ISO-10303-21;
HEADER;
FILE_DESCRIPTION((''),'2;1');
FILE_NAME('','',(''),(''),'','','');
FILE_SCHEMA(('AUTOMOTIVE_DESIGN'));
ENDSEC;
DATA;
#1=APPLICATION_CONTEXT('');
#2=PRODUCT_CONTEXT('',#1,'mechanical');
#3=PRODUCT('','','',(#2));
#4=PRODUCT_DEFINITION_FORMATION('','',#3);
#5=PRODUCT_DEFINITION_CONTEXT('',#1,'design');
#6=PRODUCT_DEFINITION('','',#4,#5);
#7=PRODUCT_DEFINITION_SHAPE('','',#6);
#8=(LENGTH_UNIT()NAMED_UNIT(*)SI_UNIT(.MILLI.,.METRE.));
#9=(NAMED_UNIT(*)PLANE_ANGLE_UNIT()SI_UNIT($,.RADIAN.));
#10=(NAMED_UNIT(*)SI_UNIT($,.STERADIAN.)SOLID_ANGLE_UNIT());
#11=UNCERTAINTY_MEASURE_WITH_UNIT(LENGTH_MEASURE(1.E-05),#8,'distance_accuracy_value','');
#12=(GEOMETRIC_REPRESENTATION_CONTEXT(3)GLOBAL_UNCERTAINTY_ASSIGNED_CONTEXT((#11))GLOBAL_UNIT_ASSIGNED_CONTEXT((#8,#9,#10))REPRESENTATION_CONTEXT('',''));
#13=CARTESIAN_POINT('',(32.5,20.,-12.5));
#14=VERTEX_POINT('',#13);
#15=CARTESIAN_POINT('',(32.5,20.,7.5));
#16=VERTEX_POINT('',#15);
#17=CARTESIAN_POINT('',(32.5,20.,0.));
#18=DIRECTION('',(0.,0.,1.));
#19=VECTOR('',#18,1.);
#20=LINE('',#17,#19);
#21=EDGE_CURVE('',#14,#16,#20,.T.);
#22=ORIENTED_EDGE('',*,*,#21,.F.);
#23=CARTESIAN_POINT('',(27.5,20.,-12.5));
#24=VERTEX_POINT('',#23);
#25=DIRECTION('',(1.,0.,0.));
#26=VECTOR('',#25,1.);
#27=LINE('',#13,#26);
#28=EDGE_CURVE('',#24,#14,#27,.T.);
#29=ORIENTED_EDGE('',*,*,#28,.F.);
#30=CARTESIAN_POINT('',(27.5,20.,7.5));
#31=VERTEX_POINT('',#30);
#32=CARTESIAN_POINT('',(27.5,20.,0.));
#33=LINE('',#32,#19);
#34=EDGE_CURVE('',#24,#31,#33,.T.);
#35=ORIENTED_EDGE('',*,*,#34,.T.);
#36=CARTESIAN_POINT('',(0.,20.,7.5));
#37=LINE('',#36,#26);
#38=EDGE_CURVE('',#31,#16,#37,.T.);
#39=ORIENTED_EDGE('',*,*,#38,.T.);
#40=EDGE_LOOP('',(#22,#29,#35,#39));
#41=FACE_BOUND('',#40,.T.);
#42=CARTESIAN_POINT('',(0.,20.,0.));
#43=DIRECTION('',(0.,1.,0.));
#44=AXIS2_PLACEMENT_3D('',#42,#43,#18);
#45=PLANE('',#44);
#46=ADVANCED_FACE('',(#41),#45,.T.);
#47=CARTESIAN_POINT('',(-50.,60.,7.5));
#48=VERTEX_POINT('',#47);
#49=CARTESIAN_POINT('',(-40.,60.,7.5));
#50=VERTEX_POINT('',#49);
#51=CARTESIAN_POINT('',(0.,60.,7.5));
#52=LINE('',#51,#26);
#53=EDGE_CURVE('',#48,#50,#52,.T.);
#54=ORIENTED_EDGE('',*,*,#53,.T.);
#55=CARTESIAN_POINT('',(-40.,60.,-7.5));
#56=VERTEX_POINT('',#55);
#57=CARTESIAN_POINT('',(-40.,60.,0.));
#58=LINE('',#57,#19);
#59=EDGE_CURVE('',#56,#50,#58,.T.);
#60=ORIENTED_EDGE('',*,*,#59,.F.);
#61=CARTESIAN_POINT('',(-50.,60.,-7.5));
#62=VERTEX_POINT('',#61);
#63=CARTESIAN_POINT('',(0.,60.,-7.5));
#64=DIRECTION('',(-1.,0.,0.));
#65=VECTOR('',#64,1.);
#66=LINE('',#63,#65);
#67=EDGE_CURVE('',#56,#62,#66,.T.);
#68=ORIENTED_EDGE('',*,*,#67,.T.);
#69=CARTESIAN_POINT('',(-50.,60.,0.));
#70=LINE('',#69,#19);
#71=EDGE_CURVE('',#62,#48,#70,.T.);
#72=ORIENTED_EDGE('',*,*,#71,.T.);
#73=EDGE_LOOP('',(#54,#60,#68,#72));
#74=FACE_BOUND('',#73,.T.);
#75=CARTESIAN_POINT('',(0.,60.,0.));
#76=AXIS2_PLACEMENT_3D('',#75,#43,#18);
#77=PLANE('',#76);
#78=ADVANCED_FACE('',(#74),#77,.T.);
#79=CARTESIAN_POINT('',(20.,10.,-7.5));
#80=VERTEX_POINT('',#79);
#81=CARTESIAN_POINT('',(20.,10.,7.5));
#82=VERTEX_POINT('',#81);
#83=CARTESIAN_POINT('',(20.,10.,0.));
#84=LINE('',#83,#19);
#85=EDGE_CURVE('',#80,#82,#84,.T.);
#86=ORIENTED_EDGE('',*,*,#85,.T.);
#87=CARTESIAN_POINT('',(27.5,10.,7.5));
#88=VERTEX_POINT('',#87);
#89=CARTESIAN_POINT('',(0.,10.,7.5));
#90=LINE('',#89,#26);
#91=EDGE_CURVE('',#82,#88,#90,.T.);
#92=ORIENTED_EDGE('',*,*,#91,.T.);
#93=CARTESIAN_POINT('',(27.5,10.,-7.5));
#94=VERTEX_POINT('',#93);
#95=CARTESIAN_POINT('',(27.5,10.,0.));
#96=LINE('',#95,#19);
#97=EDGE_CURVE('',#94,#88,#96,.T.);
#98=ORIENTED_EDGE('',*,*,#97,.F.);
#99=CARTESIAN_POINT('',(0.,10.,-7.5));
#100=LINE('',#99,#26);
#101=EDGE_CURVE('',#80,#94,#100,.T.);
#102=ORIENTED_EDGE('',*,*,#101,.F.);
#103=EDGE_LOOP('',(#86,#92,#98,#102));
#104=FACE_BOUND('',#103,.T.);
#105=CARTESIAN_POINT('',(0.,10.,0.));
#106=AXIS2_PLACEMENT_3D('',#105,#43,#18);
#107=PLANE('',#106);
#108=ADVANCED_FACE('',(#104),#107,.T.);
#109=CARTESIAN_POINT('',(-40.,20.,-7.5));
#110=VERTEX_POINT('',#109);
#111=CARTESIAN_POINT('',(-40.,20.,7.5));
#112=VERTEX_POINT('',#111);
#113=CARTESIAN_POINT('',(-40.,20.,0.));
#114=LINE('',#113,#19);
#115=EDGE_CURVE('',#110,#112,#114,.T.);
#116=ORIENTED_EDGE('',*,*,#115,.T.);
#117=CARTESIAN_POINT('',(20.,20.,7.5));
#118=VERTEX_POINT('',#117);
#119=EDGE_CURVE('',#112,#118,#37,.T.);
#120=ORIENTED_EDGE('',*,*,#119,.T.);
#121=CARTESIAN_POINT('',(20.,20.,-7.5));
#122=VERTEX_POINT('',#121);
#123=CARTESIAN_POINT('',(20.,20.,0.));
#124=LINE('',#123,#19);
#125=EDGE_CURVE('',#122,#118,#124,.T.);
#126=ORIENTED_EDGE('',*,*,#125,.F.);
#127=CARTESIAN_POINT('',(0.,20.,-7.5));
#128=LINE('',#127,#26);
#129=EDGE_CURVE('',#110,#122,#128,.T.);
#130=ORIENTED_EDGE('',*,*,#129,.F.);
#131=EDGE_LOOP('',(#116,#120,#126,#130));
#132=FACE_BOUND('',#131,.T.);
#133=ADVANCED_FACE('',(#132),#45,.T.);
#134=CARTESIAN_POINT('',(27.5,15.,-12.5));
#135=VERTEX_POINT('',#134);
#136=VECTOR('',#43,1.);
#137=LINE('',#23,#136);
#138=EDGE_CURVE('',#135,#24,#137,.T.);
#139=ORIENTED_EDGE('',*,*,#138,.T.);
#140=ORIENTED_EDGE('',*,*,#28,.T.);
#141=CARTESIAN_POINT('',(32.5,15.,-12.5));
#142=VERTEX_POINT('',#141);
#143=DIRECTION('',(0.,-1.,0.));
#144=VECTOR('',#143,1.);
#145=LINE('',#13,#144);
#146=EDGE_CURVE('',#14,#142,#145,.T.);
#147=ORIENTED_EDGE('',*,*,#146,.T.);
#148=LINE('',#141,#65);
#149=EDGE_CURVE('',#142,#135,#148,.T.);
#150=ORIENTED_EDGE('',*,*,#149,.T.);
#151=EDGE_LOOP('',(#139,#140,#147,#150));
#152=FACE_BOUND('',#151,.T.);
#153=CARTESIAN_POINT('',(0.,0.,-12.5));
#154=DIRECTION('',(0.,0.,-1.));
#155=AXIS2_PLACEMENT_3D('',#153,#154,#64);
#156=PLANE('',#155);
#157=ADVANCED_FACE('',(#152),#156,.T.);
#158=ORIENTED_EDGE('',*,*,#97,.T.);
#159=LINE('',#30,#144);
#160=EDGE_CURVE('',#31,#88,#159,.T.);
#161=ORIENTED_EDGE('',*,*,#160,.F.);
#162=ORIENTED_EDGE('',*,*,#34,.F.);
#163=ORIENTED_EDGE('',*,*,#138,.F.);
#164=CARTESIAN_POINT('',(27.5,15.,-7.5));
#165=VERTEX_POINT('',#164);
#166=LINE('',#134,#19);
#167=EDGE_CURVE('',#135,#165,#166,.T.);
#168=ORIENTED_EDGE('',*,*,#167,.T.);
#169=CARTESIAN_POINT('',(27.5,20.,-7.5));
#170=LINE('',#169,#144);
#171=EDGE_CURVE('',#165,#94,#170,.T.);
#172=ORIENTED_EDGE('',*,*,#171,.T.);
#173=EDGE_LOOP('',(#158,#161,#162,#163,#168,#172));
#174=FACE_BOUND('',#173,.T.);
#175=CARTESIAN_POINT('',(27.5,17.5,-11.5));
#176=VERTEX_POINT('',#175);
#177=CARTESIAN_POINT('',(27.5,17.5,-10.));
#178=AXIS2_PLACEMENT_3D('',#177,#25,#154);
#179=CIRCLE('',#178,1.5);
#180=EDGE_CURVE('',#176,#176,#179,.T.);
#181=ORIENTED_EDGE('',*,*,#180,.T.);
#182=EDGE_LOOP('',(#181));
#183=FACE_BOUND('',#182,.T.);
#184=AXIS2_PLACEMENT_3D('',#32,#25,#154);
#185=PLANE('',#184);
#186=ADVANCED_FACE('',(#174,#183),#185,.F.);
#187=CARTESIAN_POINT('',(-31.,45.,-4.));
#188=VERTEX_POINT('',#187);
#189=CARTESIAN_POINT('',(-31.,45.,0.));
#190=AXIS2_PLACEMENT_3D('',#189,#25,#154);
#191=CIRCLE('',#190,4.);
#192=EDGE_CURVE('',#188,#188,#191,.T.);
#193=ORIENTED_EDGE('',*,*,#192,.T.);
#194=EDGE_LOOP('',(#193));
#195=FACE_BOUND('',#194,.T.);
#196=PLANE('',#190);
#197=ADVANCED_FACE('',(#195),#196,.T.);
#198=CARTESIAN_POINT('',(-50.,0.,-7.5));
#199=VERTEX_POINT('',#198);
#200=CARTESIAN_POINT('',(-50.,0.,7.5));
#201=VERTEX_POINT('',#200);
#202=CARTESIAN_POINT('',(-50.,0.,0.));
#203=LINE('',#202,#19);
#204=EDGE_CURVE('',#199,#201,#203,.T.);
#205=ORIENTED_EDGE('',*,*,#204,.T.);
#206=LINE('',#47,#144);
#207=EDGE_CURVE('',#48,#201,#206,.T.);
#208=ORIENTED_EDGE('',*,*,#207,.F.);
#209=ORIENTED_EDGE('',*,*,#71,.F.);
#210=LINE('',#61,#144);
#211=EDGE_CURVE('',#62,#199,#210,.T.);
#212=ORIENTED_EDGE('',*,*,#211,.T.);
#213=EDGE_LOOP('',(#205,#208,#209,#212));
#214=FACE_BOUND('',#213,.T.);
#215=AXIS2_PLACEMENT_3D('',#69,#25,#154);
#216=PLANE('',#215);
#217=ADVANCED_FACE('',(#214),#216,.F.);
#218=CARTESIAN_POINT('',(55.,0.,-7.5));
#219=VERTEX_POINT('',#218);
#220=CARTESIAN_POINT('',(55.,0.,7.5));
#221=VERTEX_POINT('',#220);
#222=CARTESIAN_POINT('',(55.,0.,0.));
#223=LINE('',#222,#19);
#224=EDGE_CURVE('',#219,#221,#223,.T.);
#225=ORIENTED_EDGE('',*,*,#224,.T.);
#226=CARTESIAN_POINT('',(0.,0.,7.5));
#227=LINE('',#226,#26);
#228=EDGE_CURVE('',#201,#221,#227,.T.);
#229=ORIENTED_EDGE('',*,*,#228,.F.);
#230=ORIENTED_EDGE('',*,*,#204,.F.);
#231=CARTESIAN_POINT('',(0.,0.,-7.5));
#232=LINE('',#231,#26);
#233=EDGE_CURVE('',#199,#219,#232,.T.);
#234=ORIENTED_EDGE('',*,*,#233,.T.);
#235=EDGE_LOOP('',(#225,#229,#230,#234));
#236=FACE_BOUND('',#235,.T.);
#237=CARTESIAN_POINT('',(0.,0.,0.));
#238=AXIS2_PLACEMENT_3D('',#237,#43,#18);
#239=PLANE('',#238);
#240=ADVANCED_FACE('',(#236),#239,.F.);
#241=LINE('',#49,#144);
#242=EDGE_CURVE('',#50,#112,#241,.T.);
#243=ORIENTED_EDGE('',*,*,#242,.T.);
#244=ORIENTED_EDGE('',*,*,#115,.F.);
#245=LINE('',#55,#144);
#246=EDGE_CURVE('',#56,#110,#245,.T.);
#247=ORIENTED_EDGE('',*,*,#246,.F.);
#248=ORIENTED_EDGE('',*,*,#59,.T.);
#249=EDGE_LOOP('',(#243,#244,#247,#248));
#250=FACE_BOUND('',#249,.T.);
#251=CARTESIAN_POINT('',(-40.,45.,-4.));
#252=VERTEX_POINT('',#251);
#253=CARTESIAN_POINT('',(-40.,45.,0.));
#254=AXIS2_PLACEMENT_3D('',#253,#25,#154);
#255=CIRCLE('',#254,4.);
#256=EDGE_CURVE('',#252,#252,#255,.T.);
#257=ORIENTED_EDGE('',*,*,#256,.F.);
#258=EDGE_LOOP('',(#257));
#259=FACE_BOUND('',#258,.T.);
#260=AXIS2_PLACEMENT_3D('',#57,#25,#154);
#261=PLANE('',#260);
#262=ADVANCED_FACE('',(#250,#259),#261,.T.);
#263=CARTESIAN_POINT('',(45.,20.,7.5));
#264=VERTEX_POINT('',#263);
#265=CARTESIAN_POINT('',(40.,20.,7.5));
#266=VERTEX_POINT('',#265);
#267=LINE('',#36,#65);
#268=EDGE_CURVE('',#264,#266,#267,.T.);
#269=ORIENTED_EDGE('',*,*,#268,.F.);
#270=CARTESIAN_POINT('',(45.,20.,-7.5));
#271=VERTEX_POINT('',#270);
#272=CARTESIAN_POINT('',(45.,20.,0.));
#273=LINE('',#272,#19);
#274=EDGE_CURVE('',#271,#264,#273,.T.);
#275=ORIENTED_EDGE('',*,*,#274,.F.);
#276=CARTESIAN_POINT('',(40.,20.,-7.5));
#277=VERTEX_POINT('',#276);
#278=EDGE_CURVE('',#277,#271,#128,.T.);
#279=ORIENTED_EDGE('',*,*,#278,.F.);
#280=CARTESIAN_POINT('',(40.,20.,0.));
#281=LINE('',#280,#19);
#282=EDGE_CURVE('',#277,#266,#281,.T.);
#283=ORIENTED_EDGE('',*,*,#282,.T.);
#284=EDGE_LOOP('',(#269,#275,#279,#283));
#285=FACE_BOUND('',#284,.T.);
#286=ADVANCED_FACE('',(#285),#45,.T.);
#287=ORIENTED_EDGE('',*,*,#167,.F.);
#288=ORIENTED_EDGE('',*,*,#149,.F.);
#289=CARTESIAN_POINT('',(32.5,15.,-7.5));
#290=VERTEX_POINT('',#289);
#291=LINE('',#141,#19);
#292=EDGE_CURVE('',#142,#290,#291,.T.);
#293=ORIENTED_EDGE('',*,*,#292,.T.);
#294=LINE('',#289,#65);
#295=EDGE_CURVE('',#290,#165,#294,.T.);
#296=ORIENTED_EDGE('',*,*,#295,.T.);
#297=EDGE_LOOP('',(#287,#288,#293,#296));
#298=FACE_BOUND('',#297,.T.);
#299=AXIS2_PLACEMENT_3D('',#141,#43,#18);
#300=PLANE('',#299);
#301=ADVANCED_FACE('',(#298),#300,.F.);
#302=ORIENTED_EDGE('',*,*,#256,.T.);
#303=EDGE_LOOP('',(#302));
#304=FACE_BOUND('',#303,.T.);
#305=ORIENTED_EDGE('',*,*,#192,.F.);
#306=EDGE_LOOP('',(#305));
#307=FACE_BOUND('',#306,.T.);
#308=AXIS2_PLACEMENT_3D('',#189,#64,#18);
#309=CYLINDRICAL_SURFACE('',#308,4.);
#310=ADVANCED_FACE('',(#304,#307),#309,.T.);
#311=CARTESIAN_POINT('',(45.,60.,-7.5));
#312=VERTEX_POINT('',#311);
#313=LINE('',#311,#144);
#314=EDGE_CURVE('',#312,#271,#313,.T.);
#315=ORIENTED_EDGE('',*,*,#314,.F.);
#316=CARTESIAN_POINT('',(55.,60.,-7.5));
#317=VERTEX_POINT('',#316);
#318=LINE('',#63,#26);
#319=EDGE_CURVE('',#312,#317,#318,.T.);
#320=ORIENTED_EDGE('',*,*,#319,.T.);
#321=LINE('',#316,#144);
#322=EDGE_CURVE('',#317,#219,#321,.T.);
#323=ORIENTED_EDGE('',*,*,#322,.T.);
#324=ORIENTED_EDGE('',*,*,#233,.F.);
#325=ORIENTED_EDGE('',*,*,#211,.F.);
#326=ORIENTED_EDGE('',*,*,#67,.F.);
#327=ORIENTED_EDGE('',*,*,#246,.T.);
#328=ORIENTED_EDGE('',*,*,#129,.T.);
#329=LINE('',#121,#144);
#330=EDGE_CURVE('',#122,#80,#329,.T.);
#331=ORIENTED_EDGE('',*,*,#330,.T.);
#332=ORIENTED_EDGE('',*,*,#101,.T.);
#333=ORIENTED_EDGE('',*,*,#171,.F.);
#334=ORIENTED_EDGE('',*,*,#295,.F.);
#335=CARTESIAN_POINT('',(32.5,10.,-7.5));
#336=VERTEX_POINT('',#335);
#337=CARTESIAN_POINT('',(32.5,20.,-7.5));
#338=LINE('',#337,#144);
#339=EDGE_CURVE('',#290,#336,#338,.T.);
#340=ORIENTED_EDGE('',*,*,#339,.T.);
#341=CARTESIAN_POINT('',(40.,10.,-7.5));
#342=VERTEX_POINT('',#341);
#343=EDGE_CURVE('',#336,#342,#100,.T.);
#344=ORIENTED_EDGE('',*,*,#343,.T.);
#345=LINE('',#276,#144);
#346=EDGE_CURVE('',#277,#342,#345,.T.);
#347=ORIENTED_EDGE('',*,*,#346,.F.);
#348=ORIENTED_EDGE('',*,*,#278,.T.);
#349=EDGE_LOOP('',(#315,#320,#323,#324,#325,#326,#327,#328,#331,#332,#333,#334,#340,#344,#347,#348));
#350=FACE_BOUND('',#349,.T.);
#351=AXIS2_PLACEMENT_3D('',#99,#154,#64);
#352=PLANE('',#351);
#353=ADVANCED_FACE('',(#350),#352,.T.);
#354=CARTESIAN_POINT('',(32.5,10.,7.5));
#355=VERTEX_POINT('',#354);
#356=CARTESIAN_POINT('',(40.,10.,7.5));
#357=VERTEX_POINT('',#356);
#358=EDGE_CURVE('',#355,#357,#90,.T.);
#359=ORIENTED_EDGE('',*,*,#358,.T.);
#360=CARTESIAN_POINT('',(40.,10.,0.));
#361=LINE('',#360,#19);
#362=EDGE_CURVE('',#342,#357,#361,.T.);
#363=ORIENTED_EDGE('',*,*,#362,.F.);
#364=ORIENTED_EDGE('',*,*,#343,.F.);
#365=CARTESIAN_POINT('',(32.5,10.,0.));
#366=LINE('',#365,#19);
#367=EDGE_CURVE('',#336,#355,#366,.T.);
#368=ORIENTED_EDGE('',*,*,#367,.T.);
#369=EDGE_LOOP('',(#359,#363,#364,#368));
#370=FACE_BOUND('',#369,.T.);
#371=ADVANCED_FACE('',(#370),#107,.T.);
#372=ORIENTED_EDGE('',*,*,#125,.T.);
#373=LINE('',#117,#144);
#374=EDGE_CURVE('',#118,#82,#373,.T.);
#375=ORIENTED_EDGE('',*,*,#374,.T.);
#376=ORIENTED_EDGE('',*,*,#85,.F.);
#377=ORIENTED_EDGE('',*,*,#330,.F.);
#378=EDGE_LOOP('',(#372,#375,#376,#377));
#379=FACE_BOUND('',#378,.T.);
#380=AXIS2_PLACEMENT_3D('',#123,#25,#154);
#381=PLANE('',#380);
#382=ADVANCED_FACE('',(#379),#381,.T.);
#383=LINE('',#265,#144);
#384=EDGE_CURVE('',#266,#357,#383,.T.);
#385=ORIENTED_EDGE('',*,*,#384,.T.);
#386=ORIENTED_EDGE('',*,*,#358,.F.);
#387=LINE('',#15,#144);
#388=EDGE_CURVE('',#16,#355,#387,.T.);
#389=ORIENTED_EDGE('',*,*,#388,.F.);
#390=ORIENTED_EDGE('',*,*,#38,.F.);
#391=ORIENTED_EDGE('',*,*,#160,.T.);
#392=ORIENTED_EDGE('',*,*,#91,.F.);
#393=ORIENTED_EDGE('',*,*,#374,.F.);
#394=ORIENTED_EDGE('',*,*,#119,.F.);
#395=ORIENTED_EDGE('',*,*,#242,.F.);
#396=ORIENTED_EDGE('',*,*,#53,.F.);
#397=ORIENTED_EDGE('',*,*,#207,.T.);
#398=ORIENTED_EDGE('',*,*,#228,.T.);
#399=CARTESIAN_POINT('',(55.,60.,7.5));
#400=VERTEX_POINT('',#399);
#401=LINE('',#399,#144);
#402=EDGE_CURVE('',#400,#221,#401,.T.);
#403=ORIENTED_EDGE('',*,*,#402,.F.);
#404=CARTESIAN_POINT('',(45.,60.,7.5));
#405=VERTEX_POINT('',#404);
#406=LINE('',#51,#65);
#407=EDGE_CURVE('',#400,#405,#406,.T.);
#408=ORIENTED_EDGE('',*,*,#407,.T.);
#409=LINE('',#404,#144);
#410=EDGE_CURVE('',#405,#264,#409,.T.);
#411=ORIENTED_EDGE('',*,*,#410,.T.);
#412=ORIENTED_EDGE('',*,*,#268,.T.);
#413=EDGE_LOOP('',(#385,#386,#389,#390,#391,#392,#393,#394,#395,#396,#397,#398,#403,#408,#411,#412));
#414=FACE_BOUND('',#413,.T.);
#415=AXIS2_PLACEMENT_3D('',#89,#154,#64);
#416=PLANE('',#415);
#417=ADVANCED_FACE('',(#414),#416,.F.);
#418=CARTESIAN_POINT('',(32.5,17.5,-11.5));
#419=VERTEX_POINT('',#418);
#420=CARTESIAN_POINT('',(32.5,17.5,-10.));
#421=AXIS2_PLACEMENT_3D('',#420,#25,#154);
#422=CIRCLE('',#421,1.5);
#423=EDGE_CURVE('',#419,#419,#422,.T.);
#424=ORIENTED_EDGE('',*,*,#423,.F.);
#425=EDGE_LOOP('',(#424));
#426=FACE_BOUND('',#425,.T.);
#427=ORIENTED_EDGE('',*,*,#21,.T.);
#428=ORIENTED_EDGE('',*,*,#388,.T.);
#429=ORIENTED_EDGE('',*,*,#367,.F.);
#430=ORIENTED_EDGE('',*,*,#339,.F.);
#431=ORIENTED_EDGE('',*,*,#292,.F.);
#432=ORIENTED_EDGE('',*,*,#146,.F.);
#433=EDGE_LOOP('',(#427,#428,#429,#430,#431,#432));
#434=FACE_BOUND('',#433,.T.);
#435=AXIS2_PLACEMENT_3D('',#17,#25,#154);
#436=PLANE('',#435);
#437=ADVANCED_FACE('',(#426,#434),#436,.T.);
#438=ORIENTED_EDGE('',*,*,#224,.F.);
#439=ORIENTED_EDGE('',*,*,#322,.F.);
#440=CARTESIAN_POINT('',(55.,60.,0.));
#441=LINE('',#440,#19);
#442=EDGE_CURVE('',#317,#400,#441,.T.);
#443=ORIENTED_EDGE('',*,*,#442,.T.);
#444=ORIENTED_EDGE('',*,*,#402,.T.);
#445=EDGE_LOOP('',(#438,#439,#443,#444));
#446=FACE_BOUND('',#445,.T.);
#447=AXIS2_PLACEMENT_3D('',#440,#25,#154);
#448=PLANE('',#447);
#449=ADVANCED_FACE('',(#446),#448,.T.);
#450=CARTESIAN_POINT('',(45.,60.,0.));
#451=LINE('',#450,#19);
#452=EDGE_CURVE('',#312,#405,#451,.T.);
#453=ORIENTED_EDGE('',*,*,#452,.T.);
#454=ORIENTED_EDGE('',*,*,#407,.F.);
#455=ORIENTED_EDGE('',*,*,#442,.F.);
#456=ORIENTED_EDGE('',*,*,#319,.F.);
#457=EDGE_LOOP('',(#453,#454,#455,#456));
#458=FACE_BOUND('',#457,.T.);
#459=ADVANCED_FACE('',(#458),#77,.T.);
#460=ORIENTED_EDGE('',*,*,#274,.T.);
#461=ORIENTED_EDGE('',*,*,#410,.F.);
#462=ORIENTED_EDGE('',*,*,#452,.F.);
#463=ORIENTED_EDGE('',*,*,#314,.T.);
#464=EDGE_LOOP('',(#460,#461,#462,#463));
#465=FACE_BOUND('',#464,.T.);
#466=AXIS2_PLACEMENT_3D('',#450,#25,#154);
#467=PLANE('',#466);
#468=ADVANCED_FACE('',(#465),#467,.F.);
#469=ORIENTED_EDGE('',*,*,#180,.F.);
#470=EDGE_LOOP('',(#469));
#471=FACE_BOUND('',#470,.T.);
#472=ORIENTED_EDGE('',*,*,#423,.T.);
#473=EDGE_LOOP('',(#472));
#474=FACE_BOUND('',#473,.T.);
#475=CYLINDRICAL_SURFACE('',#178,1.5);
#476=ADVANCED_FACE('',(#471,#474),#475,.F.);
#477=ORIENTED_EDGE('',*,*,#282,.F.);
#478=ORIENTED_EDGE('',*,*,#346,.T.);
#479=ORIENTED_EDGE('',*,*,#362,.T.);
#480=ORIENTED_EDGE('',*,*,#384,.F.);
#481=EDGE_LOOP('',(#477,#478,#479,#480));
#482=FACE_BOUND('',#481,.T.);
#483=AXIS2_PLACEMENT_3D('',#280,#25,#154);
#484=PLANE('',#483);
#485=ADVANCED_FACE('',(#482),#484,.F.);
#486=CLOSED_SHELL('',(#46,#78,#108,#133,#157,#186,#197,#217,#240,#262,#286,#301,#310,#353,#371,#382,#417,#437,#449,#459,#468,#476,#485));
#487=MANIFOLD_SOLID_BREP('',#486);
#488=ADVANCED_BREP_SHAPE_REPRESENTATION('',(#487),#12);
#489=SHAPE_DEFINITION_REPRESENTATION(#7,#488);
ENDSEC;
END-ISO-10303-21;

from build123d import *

# Parameters (mm, degrees)
SKETCH1_3_W           = 7.5
SKETCH1_3_H           = 15
BOSS_EXTRUDE2_DEPTH   = 10
BOSS_EXTRUDE2_2_DEPTH = 10
SKETCH1_W             = 5
SKETCH1_H             = 15
SKETCH1_W_2           = 60
BOSS_EXTRUDE3_DEPTH   = 20
SKETCH2_W             = 5
SKETCH2_H             = 5
BOSS_EXTRUDE5_DEPTH   = 5
SKETCH1_9_W           = 10
SKETCH1_9_H           = 15
BOSS_EXTRUDE6_DEPTH   = 60
SKETCH4_R             = 4
BOSS_EXTRUDE7_DEPTH   = 9
SKETCH5_R             = 1.5
CUT_EXTRUDE1_DEPTH    = 5


with BuildPart() as part:
    # Sketch1<3> → Boss-Extrude2 (new body)
    with BuildSketch(Plane(origin=(0, 0, 0), x_dir=(1, 0, 0), z_dir=(0, 1, 0))):
        with Locations((36.25, 0)):
            Rectangle(SKETCH1_3_W, SKETCH1_3_H)
    extrude(amount=BOSS_EXTRUDE2_DEPTH)



with BuildPart() as body_2:
    # Sketch1<3> → Boss-Extrude2 2 (new body)
    with BuildSketch(Plane(origin=(0, 0, 0), x_dir=(1, 0, 0), z_dir=(0, 1, 0))):
        with Locations((23.75, 0)):
            Rectangle(SKETCH1_3_W, SKETCH1_3_H)
    extrude(amount=BOSS_EXTRUDE2_2_DEPTH)


with BuildPart() as part_1:
    add(part.part)

    add(body_2.part)  # Boss-Extrude3 merges body 2
    # Sketch1 → Boss-Extrude3 (add)
    with BuildSketch(Plane(origin=(0, 0, 0), x_dir=(1, 0, 0), z_dir=(0, 1, 0))):
        with Locations((30, 0)):
            Rectangle(SKETCH1_W, SKETCH1_H)
        with Locations((-10, 0)):
            Rectangle(SKETCH1_W_2, SKETCH1_H)
        with Locations((42.5, 0)):
            Rectangle(SKETCH1_W, SKETCH1_H)
    extrude(amount=BOSS_EXTRUDE3_DEPTH)

    # Sketch2 → Boss-Extrude5 (add)
    with BuildSketch(Plane(origin=(0, 0, -7.5), x_dir=(-1, 0, 0), z_dir=(0, 0, -1))):
        with Locations((-30, 17.5)):
            Rectangle(SKETCH2_W, SKETCH2_H)
    extrude(amount=BOSS_EXTRUDE5_DEPTH)

    # Sketch1<9> → Boss-Extrude6 (add)
    with BuildSketch(Plane(origin=(0, 0, 0), x_dir=(1, 0, 0), z_dir=(0, 1, 0))):
        with Locations((50, 0)):
            Rectangle(SKETCH1_9_W, SKETCH1_9_H)
        with Locations((-45, 0)):
            Rectangle(SKETCH1_9_W, SKETCH1_9_H)
    extrude(amount=BOSS_EXTRUDE6_DEPTH)

    # Sketch4 → Boss-Extrude7 (add)
    with BuildSketch(Plane(origin=(-40, 0, 0), x_dir=(0, 0, -1), z_dir=(1, 0, 0))):
        with Locations((0, 45)):
            Circle(SKETCH4_R)
    extrude(amount=BOSS_EXTRUDE7_DEPTH)

    # Sketch5 → Cut-Extrude1 (cut)
    with BuildSketch(Plane(origin=(32.5, 0, 0), x_dir=(0, 0, -1), z_dir=(1, 0, 0))):
        with Locations((10, 17.5)):
            Circle(SKETCH5_R)
    extrude(amount=-CUT_EXTRUDE1_DEPTH, mode=Mode.SUBTRACT)


solid = part_1.part
